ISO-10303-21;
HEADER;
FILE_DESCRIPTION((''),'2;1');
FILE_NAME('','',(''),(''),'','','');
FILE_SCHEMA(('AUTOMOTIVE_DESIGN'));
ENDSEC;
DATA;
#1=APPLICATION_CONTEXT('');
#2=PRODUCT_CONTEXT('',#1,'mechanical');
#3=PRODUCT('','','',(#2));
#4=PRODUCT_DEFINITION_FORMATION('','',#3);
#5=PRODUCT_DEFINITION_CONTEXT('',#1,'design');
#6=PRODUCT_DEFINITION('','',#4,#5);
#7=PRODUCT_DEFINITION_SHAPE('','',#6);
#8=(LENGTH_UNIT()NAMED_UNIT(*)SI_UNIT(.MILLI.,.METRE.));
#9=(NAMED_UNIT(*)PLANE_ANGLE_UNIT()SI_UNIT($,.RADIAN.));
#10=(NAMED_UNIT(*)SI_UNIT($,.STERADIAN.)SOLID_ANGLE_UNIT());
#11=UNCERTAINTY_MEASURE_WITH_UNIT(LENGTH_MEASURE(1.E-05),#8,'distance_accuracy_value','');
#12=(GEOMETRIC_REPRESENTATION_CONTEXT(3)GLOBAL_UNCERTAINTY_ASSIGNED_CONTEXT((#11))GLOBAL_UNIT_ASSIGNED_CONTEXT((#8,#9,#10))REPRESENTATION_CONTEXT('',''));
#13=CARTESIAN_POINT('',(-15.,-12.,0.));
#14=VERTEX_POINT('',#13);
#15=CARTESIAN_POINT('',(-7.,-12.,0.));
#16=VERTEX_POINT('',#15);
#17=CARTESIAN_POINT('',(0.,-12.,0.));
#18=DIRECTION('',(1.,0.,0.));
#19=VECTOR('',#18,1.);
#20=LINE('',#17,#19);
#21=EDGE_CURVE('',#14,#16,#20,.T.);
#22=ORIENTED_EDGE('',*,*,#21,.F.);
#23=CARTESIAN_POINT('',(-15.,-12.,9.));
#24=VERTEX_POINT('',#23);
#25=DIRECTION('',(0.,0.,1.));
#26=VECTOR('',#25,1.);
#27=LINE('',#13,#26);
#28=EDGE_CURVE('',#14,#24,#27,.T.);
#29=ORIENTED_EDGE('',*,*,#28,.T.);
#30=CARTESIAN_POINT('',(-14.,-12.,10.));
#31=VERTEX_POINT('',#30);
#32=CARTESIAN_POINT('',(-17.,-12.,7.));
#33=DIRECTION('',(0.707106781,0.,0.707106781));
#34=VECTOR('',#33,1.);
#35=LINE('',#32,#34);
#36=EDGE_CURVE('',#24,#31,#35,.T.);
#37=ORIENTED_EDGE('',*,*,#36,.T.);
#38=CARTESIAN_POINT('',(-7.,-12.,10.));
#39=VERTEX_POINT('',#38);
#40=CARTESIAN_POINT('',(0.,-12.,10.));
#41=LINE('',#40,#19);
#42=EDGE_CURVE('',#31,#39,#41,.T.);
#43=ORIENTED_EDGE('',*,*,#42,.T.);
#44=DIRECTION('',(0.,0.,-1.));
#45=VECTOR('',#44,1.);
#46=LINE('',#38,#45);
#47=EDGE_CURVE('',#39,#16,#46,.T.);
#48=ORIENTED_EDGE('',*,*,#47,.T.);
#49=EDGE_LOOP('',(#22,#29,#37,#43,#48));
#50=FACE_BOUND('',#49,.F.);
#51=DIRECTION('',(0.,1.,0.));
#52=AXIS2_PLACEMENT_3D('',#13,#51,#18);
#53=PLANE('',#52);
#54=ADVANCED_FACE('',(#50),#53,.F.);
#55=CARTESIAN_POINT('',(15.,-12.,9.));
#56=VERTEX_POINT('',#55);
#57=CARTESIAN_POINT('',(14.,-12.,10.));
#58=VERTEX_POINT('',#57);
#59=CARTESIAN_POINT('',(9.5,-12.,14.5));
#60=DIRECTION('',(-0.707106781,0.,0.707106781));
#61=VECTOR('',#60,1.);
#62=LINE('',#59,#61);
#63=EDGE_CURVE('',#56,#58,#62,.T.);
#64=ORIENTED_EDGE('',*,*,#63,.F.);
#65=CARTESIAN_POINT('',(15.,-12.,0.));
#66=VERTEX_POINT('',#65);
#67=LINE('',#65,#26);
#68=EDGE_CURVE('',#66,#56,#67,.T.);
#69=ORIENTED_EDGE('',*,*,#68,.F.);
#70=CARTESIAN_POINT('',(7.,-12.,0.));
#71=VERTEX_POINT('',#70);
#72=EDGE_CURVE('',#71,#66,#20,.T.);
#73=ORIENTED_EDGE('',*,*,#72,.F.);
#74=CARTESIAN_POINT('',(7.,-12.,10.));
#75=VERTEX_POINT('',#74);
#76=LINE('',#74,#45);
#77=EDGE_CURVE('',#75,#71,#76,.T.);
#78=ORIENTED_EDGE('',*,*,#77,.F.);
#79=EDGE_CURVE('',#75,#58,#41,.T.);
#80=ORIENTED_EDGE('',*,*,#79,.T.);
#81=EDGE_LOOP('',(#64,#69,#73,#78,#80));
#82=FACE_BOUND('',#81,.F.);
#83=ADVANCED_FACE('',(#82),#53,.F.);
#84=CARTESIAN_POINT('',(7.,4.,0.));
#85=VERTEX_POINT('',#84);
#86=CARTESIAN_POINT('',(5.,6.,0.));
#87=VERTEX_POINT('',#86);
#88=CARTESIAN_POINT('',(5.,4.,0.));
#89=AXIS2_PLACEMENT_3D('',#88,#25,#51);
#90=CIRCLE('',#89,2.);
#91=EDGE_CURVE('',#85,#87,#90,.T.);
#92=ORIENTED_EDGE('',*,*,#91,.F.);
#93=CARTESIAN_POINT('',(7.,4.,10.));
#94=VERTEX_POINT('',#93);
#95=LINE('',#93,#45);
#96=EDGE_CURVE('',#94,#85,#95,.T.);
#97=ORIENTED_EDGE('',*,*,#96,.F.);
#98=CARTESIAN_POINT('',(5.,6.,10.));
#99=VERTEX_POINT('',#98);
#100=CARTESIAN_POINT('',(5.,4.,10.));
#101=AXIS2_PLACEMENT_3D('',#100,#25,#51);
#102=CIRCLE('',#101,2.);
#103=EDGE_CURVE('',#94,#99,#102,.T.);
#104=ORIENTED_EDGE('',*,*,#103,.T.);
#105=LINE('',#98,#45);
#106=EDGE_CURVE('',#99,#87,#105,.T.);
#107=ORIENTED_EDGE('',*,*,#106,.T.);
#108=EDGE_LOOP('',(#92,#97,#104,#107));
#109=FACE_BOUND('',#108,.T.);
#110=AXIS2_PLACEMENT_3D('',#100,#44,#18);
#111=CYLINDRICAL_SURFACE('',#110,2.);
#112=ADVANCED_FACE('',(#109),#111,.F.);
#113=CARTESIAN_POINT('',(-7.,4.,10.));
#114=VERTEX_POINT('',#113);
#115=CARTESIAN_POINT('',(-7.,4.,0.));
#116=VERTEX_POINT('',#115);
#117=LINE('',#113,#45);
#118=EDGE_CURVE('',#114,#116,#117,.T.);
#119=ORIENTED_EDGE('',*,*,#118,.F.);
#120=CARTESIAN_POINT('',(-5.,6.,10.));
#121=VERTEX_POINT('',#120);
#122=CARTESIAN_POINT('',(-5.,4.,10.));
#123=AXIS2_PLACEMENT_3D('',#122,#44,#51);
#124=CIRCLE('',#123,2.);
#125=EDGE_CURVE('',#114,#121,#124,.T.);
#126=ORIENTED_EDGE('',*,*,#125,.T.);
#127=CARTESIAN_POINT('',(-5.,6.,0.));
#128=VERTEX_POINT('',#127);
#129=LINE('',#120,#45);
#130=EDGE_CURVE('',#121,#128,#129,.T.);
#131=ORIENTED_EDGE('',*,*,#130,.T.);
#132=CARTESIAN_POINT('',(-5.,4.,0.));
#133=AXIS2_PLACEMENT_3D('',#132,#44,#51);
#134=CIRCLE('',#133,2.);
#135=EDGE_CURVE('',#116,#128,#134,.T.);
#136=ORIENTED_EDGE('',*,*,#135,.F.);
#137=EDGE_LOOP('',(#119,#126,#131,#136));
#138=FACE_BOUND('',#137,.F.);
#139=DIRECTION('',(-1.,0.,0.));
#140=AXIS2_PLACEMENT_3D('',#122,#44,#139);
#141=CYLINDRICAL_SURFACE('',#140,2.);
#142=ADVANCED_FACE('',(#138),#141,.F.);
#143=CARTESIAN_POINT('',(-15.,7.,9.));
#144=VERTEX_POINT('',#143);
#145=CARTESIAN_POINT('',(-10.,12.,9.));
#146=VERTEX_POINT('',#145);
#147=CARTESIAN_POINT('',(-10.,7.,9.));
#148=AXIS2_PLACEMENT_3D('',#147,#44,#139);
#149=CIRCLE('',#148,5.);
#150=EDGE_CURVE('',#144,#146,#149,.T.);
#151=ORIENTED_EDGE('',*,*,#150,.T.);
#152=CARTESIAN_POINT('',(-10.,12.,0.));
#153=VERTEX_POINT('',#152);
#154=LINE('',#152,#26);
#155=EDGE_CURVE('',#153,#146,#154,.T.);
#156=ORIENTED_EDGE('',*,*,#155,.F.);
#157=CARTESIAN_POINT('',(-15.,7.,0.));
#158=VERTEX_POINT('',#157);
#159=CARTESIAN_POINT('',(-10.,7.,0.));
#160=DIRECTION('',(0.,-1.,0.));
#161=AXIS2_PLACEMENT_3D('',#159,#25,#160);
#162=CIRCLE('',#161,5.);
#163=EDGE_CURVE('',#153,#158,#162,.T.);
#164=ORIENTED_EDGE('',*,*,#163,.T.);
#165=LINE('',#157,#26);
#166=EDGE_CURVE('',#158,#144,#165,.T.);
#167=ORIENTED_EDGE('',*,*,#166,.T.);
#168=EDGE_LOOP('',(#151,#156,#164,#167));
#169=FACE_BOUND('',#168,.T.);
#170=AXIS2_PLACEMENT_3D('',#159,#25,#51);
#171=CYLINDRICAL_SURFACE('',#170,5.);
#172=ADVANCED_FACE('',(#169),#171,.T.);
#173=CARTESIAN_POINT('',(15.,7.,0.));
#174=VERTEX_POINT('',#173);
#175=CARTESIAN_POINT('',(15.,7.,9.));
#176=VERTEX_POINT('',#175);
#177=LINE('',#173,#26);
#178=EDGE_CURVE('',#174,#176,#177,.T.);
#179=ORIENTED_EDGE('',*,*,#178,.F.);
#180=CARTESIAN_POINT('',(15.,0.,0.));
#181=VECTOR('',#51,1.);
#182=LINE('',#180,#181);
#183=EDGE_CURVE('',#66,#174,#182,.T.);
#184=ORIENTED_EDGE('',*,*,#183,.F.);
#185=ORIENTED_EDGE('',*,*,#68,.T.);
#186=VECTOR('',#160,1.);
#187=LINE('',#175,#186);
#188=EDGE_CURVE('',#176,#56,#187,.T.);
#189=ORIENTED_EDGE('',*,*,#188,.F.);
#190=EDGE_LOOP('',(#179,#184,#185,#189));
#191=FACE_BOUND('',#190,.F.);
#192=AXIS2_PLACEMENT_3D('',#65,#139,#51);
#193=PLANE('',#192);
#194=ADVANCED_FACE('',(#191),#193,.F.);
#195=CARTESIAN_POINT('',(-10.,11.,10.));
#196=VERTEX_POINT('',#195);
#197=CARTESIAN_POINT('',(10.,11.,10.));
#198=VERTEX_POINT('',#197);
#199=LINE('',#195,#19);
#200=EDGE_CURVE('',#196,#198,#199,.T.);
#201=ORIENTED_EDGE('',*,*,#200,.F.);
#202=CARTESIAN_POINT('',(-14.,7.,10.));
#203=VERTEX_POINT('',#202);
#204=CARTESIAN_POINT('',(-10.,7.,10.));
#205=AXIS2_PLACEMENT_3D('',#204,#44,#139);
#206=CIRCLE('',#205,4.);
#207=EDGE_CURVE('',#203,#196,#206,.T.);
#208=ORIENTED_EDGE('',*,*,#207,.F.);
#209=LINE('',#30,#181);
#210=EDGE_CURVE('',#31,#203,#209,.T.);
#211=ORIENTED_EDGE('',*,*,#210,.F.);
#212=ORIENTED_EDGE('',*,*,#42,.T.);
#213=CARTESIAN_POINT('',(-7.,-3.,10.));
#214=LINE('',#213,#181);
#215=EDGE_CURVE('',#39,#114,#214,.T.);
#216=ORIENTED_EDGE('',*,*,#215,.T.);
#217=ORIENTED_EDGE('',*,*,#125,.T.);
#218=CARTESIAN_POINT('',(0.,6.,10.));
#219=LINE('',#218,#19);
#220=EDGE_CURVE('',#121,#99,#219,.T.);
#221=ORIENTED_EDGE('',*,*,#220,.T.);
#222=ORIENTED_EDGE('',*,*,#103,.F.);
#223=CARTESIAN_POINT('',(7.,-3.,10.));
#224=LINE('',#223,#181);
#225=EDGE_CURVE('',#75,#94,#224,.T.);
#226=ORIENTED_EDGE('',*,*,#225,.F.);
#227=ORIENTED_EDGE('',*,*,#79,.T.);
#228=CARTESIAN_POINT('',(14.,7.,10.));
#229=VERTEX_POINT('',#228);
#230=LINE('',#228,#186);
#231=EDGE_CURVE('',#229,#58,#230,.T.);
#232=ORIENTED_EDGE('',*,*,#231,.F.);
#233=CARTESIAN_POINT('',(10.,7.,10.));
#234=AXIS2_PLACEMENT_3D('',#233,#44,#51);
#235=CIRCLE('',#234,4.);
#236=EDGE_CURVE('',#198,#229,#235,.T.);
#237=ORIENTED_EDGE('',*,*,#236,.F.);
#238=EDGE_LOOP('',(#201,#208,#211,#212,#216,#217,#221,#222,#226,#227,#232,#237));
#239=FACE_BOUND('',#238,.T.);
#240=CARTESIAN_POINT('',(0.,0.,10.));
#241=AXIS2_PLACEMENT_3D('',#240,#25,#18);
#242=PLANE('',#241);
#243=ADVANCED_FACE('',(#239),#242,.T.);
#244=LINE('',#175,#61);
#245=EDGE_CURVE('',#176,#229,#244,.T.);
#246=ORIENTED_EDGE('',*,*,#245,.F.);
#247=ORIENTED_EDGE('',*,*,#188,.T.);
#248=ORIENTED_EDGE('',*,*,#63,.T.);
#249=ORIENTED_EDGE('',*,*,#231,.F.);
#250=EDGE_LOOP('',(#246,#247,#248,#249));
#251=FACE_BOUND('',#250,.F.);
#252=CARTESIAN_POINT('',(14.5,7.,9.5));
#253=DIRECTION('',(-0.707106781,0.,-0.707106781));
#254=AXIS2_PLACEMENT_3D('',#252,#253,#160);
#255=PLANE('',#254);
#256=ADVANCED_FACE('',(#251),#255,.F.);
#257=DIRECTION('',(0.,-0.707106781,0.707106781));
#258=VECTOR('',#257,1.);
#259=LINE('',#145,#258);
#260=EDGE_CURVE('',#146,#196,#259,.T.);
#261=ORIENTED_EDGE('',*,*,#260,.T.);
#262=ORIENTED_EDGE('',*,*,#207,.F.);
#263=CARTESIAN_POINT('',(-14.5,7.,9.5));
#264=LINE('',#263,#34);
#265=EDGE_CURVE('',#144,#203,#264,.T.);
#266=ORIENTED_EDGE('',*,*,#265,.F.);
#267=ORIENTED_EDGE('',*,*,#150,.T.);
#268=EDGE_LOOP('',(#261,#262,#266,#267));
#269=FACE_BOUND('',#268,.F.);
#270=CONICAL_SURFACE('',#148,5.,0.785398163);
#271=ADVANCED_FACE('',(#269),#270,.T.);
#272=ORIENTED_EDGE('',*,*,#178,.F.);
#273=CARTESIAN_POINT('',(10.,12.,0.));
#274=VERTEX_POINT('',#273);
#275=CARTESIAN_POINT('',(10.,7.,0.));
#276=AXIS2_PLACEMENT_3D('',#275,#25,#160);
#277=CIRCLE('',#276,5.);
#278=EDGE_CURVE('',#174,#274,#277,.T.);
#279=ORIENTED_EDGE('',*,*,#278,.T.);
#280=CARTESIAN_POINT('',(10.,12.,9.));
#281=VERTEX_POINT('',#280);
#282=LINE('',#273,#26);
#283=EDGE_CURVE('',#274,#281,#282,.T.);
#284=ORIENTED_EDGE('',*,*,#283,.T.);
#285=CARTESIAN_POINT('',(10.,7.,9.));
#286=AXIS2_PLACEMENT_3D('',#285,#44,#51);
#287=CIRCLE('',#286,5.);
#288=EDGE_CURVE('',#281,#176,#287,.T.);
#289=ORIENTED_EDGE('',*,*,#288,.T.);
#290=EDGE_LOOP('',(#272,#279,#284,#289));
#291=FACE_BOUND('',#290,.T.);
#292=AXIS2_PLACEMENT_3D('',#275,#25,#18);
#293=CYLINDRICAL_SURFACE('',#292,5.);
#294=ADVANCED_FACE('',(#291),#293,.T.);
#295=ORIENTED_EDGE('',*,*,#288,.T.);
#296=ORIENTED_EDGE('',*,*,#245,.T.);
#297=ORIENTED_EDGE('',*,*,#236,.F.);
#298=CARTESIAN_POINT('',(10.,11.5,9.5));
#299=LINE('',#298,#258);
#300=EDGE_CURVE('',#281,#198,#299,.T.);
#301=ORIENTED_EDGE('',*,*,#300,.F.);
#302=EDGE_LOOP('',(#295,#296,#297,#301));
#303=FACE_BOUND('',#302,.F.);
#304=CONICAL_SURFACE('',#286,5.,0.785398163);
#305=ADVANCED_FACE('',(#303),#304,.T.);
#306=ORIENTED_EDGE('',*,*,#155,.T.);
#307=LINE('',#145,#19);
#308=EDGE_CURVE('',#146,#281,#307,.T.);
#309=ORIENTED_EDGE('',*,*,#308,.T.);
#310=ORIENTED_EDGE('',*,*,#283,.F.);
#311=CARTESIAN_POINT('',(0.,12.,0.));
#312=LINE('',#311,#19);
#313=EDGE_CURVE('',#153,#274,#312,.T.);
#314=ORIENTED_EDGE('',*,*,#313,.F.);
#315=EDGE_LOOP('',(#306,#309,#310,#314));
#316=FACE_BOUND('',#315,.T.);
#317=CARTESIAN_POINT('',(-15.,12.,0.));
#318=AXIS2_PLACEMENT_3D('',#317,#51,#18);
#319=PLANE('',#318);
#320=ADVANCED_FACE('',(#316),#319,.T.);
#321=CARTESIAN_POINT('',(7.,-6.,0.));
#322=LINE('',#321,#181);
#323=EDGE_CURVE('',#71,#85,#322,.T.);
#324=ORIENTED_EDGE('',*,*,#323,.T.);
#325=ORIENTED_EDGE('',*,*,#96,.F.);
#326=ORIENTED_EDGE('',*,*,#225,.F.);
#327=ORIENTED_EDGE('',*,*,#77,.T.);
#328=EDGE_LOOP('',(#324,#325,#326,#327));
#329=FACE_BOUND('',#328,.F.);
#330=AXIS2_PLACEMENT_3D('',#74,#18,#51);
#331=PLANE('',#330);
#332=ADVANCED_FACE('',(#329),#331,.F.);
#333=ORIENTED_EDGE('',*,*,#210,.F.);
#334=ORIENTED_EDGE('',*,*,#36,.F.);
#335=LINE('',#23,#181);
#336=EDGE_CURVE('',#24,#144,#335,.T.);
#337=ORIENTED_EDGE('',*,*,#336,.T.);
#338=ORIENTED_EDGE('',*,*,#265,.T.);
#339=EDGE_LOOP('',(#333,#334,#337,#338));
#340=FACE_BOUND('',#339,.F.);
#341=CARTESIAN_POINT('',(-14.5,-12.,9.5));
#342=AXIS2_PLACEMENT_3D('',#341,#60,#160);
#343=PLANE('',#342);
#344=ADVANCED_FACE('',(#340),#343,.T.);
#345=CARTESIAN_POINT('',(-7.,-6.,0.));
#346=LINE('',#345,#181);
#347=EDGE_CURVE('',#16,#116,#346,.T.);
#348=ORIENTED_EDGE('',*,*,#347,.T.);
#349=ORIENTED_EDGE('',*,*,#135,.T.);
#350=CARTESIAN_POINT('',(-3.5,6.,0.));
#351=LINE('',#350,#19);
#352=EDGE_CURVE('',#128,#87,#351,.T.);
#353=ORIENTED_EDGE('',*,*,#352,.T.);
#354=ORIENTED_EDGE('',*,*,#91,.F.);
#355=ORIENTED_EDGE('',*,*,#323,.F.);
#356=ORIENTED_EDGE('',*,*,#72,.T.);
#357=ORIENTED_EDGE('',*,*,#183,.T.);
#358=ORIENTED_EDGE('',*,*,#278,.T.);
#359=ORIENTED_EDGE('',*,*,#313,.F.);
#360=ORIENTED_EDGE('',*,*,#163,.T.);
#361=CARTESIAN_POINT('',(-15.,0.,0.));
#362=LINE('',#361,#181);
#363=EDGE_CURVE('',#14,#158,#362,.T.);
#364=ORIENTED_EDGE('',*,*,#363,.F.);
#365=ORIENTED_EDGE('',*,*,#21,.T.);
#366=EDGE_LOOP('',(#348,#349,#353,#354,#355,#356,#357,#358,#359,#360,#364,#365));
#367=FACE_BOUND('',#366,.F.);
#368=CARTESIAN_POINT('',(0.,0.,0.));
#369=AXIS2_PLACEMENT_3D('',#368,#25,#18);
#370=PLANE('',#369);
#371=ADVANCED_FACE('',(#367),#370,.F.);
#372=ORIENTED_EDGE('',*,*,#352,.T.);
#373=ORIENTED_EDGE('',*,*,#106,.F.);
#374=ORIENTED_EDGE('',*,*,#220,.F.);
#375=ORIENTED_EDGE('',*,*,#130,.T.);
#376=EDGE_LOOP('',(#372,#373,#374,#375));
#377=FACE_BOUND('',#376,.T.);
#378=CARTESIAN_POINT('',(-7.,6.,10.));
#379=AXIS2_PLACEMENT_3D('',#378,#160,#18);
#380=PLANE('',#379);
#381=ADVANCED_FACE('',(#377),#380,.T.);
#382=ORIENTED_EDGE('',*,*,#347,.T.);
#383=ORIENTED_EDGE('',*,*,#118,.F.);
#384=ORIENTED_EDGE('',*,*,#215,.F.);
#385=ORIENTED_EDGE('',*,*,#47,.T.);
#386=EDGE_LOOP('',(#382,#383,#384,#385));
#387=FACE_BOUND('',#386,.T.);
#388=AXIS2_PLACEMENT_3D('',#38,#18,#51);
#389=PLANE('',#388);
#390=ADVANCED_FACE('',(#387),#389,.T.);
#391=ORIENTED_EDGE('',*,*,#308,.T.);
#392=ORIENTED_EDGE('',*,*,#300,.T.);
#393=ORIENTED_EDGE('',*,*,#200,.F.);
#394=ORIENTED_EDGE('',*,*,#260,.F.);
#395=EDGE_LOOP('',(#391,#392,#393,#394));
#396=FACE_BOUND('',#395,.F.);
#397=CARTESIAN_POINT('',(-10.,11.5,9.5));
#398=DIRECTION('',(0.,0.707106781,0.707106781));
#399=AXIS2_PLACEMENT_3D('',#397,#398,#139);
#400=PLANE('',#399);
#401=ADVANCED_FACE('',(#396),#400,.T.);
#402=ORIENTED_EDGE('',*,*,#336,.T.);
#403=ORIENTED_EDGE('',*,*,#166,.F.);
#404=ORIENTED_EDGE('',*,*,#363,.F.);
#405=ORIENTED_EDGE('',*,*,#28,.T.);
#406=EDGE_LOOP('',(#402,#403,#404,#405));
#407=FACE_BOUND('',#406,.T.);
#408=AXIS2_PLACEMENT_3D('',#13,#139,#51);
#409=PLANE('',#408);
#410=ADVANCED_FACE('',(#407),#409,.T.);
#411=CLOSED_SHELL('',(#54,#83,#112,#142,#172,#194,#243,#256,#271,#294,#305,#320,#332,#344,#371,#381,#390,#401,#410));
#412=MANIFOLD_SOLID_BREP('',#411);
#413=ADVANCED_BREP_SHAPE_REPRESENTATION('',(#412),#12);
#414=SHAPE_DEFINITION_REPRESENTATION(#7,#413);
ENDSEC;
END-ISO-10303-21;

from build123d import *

# Parameters (mm, degrees)
F0_W     = 30
F0_H     = 24
F1_DEPTH = 10
F2_W     = 14
F2_H     = 18
F3_DEPTH = 10.001
F4_R     = 2
F5_R     = 5
F6_SIZE  = 1


with BuildPart() as f1:
    # F0 (on Top) → F1 (new body)
    with BuildSketch(Plane.XY):
        Rectangle(F0_W, F0_H)
    extrude(amount=F1_DEPTH)

    # F2 (on face) → F3 (cut, through all)
    with BuildSketch(Plane.XY.offset(10)):
        with Locations((0, -3)):
            Rectangle(F2_W, F2_H)
    extrude(amount=-F3_DEPTH, mode=Mode.SUBTRACT)

    # F4
    f4_edges = [f1.edges().sort_by_distance(p)[0] for p in [
        (-7, 6, 5),
        (7, 6, 5),
    ]]
    fillet(f4_edges, radius=F4_R)

    # F5
    f5_edges = [f1.edges().sort_by_distance(p)[0] for p in [
        (-15, 12, 5),
        (15, 12, 5),
    ]]
    fillet(f5_edges, radius=F5_R)

    # F6
    f6_edges = [f1.edges().sort_by_distance(p)[0] for p in [
        (0, 12, 10),
    ]]
    chamfer(f6_edges, length=F6_SIZE)


solid = f1.part
